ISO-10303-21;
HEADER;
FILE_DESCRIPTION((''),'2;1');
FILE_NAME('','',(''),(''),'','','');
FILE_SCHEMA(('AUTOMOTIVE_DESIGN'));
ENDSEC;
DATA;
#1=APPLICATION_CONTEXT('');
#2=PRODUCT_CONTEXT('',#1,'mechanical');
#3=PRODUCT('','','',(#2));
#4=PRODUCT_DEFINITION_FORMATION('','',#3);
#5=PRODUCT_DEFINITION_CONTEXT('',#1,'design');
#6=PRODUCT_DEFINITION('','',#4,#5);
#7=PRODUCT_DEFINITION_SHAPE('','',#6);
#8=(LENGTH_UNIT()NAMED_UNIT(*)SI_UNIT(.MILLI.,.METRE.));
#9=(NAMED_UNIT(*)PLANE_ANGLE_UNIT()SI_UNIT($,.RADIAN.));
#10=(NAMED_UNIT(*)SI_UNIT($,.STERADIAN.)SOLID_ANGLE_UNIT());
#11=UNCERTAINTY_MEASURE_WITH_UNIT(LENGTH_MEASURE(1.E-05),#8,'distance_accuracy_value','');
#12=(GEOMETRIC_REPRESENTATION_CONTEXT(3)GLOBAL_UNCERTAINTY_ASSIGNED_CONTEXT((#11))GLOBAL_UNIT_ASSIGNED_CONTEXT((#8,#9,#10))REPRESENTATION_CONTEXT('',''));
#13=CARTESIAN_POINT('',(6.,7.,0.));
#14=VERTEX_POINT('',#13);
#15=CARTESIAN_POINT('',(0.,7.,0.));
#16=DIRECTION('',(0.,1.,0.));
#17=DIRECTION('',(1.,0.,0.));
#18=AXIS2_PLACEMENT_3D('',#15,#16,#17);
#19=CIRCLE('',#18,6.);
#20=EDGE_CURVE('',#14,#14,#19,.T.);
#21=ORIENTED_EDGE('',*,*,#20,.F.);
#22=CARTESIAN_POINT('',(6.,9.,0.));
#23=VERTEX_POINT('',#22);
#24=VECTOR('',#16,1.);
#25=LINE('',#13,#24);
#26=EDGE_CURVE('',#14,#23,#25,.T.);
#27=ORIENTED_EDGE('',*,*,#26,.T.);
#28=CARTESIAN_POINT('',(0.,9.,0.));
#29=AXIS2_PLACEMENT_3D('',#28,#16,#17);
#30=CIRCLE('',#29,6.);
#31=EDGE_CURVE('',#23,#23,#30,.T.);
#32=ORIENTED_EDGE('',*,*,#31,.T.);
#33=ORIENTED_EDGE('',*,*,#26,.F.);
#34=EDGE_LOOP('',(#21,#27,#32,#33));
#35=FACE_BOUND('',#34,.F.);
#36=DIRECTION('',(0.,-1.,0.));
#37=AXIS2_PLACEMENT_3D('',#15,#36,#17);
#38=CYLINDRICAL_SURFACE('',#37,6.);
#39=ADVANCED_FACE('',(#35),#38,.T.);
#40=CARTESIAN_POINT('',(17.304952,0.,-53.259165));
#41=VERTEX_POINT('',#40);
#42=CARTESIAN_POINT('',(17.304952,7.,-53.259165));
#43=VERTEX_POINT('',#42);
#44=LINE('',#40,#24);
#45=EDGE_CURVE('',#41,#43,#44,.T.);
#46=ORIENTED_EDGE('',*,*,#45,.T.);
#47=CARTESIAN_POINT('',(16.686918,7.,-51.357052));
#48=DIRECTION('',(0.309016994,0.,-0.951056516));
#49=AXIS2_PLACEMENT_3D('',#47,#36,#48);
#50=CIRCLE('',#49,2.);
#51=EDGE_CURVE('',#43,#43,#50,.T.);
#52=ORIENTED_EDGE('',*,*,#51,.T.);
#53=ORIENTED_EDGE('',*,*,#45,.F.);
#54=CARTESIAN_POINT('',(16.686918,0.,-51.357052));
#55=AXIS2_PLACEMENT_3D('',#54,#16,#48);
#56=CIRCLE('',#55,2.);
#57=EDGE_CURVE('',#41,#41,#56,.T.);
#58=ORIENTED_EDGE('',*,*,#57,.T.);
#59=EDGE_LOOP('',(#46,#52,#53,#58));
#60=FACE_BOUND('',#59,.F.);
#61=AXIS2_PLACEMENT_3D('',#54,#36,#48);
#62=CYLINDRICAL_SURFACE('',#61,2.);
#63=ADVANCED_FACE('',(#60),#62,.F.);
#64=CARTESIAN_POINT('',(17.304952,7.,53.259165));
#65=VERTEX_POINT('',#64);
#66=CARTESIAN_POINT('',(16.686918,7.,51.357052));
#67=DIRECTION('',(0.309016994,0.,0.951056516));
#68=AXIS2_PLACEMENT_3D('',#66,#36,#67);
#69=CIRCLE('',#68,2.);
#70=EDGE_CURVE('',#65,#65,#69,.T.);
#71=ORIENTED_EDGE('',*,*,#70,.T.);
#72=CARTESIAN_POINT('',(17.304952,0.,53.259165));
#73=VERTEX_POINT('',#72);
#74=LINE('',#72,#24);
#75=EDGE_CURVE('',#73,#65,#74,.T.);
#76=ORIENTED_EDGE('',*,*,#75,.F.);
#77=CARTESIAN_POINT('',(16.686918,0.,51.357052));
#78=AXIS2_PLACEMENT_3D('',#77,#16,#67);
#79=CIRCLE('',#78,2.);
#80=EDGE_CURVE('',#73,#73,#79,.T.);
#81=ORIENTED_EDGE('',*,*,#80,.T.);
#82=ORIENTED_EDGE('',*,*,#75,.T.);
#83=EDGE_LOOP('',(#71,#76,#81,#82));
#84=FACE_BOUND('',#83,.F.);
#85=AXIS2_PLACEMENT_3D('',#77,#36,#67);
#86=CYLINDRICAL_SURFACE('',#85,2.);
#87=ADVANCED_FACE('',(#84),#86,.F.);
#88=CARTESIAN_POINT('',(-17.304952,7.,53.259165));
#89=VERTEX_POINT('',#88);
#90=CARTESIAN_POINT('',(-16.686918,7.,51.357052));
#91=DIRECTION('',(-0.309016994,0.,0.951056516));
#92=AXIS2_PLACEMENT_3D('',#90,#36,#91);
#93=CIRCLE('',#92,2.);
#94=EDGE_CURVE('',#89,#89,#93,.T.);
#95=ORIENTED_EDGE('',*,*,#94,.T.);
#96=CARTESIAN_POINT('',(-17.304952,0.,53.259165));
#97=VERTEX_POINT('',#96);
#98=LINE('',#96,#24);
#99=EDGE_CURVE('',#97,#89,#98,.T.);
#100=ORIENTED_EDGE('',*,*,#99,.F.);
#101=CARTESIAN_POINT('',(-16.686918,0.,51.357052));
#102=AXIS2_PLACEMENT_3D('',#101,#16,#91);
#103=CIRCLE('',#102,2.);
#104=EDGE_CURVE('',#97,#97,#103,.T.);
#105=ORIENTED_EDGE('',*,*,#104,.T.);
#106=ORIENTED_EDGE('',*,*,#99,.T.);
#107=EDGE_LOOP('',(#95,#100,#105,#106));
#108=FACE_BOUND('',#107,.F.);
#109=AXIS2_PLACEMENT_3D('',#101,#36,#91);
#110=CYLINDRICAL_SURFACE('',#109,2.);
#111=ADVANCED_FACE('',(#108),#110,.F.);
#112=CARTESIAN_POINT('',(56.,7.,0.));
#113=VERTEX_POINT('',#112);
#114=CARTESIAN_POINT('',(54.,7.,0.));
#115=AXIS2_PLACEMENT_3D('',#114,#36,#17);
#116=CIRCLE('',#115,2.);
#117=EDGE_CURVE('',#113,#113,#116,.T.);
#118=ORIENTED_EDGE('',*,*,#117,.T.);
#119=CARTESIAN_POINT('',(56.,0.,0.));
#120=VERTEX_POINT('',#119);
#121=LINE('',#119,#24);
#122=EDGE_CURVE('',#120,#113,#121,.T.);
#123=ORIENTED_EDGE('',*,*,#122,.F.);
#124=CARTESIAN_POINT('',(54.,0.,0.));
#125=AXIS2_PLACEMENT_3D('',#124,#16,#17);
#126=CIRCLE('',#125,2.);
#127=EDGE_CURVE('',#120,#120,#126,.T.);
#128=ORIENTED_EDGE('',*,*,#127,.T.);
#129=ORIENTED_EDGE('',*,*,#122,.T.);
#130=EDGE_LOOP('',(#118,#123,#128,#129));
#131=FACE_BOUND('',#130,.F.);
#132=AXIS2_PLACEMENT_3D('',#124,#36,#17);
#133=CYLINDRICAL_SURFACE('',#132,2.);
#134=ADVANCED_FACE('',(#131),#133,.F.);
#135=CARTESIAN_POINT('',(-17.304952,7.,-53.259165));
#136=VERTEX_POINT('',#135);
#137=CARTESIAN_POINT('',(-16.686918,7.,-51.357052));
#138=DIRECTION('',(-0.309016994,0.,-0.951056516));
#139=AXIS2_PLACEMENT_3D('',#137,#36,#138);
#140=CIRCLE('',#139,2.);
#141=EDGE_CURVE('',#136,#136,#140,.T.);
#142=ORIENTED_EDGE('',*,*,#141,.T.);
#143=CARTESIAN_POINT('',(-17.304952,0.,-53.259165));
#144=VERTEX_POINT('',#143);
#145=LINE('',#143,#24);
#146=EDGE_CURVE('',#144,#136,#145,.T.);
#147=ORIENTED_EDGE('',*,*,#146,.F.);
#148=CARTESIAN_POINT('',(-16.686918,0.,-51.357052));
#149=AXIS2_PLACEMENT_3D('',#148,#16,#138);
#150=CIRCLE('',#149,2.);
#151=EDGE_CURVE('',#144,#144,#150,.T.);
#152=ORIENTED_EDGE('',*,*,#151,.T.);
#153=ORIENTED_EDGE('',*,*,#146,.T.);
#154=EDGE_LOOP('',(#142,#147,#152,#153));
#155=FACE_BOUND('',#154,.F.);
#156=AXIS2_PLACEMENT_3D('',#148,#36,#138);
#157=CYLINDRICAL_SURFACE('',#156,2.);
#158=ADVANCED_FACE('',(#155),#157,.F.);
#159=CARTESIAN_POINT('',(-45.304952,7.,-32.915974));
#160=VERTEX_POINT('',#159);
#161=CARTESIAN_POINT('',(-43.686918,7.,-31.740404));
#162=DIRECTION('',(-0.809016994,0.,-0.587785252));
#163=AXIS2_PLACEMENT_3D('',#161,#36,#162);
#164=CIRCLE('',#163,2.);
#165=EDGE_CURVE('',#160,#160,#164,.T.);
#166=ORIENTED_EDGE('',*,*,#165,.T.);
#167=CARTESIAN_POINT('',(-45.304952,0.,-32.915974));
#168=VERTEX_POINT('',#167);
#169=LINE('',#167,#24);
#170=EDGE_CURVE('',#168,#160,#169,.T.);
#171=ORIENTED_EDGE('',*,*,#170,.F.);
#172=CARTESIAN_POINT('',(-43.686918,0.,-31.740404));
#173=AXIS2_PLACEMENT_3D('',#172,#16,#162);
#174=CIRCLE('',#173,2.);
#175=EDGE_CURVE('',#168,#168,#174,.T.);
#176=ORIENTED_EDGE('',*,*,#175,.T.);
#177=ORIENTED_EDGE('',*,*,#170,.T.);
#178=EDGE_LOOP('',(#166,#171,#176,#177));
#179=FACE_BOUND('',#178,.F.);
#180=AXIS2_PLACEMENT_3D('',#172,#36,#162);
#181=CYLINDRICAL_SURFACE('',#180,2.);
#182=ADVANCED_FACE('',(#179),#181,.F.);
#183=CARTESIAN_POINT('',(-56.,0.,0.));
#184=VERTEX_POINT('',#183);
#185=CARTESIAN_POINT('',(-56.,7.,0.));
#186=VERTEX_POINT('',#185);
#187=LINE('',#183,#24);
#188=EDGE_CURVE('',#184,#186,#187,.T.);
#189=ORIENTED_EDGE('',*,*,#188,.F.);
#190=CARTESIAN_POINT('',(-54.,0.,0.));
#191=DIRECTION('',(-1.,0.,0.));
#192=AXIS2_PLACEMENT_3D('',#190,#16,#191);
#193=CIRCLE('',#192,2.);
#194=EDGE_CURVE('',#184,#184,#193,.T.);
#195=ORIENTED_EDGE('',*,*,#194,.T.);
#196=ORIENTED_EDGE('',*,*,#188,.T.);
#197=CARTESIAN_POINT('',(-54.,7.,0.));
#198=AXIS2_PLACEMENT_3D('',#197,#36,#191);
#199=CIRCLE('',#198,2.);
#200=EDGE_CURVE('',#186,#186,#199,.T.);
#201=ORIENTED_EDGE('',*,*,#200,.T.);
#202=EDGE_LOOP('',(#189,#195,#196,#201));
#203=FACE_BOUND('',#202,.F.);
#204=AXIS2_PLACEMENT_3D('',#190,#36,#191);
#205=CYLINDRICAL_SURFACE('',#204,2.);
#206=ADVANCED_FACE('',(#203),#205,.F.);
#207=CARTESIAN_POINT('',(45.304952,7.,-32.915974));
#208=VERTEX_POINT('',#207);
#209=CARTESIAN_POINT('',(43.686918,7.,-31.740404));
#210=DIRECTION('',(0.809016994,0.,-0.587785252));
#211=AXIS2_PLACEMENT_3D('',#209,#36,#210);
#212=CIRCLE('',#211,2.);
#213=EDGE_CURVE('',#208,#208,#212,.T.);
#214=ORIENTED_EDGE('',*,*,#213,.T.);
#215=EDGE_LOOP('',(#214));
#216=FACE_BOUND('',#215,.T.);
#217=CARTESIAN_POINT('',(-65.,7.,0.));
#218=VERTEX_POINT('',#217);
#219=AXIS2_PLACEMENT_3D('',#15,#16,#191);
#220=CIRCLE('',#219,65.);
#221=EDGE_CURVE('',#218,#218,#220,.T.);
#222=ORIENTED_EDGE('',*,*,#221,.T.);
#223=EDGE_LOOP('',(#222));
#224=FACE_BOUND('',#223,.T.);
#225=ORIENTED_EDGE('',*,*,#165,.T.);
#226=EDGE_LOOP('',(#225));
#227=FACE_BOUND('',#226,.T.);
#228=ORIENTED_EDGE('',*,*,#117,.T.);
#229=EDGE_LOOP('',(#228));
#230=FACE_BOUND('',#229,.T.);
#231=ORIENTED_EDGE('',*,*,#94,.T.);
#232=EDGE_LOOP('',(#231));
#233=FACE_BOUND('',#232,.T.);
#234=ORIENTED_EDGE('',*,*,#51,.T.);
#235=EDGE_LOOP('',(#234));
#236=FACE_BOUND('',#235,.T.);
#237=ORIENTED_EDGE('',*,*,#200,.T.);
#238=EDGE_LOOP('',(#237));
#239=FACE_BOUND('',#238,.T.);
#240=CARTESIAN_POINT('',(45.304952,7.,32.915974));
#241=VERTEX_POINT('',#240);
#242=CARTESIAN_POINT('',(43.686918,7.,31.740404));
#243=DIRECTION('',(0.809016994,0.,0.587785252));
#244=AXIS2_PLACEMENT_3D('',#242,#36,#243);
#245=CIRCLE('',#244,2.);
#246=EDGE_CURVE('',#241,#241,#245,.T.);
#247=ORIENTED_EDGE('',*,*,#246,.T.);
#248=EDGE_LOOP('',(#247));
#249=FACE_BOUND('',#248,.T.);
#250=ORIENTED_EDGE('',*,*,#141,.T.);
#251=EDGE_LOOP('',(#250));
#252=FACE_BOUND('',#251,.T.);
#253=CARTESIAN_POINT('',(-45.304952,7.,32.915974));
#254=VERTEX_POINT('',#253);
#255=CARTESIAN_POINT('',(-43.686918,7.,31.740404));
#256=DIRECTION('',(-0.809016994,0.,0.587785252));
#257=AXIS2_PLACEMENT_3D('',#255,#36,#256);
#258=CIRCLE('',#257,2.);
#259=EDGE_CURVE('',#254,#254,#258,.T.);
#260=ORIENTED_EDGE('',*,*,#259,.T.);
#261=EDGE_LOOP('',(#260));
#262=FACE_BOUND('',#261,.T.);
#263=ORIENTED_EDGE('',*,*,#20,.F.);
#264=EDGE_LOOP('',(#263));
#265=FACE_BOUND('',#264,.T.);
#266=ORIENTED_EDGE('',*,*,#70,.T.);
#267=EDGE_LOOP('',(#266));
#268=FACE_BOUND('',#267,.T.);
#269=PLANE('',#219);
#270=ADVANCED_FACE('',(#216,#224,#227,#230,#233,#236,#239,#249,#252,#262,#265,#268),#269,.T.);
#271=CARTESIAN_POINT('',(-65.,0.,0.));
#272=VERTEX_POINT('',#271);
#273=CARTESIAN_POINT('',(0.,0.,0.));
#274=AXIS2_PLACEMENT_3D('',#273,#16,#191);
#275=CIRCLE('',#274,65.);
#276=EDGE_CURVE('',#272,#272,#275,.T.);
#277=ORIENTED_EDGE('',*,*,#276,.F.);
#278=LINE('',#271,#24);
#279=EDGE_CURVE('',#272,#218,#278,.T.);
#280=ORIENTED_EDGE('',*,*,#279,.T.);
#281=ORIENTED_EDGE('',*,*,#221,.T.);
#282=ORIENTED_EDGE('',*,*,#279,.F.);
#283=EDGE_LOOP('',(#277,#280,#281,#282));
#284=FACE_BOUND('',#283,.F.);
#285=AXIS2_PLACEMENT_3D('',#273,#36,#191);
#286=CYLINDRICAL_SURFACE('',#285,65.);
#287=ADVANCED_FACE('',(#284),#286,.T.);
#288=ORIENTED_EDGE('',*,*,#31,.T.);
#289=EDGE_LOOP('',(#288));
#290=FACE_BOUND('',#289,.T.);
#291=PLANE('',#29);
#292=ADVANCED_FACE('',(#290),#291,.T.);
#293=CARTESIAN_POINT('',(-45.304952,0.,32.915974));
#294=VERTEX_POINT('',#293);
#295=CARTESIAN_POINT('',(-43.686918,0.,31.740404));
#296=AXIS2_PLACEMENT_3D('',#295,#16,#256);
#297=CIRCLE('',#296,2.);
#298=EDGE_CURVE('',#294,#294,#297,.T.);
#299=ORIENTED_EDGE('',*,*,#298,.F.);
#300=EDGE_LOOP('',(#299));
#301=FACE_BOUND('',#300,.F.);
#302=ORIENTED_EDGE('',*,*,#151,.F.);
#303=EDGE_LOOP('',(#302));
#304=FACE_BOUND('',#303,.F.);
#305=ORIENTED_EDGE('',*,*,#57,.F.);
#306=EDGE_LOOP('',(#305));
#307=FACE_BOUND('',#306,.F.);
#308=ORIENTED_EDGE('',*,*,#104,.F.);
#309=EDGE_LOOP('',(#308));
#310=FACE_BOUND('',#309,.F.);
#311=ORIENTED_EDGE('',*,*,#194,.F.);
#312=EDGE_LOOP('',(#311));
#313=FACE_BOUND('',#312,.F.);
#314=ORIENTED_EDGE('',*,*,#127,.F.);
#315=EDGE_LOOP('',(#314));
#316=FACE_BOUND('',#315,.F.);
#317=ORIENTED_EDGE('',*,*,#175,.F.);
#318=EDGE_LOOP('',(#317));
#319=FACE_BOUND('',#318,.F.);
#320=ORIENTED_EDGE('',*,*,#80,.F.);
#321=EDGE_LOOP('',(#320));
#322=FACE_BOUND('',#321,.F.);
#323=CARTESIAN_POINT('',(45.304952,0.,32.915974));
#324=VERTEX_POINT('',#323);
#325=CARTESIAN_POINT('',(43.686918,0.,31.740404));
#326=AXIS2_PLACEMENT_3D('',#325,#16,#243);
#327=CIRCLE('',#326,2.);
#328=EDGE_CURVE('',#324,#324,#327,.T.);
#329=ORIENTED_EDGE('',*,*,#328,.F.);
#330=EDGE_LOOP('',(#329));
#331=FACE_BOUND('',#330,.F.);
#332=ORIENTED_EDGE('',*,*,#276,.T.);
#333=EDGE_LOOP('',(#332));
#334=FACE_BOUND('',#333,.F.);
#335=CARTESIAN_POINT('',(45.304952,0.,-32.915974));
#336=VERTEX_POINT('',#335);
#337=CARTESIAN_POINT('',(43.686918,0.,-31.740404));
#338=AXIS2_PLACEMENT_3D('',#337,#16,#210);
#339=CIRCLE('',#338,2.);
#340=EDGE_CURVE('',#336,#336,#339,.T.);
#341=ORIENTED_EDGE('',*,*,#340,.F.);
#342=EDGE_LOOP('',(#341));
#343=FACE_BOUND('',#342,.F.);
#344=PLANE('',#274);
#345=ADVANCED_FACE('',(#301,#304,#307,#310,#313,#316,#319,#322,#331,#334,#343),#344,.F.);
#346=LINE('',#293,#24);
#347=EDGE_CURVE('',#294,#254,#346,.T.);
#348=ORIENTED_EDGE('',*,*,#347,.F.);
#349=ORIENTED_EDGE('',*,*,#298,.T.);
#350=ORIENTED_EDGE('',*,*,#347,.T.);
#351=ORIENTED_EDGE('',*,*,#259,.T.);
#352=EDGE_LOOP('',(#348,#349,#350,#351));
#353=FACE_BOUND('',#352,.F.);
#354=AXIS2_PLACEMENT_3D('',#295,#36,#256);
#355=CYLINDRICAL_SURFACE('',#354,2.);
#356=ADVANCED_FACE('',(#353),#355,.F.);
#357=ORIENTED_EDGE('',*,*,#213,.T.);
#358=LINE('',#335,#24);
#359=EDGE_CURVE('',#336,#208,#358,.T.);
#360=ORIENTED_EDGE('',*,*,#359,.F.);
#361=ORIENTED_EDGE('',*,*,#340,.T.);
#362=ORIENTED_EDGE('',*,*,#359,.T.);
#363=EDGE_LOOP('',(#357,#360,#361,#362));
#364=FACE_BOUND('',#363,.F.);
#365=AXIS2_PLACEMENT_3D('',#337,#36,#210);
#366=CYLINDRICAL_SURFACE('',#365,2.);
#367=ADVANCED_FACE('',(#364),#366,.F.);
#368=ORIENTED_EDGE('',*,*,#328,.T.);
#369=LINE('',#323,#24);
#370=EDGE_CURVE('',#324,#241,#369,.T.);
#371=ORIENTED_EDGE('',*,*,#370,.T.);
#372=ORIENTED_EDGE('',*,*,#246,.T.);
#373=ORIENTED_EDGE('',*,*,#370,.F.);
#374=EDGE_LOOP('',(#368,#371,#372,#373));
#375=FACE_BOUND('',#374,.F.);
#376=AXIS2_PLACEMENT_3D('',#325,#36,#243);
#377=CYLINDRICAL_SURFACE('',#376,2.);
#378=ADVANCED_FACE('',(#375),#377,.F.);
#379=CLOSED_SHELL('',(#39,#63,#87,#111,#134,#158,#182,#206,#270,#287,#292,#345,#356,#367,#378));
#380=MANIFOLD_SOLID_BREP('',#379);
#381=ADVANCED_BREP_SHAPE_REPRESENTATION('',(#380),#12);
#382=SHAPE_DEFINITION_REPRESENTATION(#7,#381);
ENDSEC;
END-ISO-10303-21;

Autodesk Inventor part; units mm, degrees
ref_plane "YZ Plane" through (0, 0, 0) normal (1, 0, 0) x (0, 1, 0)
ref_plane "XZ Plane" through (0, 0, 0) normal (0, 1, 0) x (-1, 0, 0)
ref_plane "XY Plane" through (0, 0, 0) normal (0, 0, 1) x (1, 0, 0)
sketch "Sketch1" plane through (0, 0, 0) normal (0, 1, 0) x (-1, 0, 0)
  circle A0 centre (0, 0) radius 65
  dimension "d0" = 130
extrude "Extrusion1" add sketch "Sketch1" along normal blind 7
sketch "Sketch5" plane through (0, 7, 0) normal (0, 1, 0) x (1, 0, 0)
  circle A0 centre (0, 0) radius 6
  dimension "d27" = 12
extrude "Extrusion5" add sketch "Sketch5" along normal blind 2
sketch "Sketch7" plane through (0, 0, 0) normal (0, -1, 0) x (1, 0, 0)
  circle A0 centre (0, 0) radius 65 projected
  line L0 (0, 0) -> (54, 0)
  circle A1 centre (54, 0) radius 2
  dimension "d37" = 4
  dimension "d38" = 54
extrude "Extrusion7" cut sketch "Sketch7" against normal blind 10 contours A1
pattern_circular "Circular Pattern1" count 10 over 360 about axis through (0, 0, 0) along (0, -1, 0) of "Extrusion7"
properties part number "bay container 10 bottom"
